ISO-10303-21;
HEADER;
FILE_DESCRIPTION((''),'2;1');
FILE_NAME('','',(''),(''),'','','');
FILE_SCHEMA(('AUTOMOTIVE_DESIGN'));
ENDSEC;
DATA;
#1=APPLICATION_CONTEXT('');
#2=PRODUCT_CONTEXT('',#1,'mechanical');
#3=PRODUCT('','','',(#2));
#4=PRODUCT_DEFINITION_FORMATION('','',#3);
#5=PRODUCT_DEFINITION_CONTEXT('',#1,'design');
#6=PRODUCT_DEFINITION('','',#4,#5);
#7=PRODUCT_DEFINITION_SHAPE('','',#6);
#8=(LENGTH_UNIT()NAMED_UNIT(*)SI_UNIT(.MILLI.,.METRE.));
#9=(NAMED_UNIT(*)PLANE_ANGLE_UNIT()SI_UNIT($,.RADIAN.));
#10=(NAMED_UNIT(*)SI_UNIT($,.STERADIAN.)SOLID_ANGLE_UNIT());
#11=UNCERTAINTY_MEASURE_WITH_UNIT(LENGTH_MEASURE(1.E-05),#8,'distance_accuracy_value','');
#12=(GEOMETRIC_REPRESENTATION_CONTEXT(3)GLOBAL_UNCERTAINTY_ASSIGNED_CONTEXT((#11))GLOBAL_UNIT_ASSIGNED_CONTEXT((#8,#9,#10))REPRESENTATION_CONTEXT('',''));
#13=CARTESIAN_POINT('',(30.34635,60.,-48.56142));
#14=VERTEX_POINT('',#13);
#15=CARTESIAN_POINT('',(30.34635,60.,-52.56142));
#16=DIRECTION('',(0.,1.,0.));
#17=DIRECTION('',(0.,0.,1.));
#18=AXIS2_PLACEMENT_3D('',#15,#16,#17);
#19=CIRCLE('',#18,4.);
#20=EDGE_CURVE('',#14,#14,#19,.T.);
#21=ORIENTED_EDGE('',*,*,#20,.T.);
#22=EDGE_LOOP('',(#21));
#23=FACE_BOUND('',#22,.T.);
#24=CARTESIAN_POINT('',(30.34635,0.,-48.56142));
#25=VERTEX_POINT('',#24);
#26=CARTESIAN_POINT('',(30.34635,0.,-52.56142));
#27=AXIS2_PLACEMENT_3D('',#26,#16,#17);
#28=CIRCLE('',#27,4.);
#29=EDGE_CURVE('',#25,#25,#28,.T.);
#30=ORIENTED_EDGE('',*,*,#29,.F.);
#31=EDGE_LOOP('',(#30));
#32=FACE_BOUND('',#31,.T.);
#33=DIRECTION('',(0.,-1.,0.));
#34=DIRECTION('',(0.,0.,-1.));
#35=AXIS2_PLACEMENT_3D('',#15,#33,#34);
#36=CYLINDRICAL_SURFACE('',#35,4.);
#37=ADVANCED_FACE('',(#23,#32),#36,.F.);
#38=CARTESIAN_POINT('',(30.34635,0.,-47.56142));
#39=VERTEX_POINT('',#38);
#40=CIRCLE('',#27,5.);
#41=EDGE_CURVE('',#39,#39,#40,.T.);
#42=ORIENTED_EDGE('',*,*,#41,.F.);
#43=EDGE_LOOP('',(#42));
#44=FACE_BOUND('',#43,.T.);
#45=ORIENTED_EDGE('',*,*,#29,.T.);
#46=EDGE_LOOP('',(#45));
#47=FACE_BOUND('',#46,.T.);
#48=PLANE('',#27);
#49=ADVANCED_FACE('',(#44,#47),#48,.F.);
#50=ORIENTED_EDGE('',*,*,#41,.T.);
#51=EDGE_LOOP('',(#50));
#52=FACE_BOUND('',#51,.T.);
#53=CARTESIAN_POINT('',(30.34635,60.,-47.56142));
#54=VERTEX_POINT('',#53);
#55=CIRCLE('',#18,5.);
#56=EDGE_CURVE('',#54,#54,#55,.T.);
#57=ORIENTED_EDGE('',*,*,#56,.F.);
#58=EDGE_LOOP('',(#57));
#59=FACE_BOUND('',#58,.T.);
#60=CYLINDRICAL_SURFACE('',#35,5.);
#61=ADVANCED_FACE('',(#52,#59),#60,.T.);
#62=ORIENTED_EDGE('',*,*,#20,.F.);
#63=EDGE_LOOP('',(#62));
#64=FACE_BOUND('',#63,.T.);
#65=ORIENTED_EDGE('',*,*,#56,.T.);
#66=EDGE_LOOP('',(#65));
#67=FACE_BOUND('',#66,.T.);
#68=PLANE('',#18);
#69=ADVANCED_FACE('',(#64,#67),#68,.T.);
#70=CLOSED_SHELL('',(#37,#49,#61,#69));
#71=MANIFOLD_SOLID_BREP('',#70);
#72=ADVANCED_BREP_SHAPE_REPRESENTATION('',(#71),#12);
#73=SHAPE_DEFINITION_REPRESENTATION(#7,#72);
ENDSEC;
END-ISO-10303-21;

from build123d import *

# Parameters (mm, degrees)
SKETCH2_R           = 5
SKETCH2_R_2         = 4
BOSS_EXTRUDE1_DEPTH = 60


with BuildPart() as part:
    # Sketch2 → Boss-Extrude1 (new body)
    with BuildSketch(Plane(origin=(0, 0, 0), x_dir=(1, 0, 0), z_dir=(0, 1, 0))):
        with Locations((30.34635, 52.561420024)):
            Circle(SKETCH2_R)
        with Locations((30.34635, 52.561420024)):
            Circle(SKETCH2_R_2, mode=Mode.SUBTRACT)
    extrude(amount=BOSS_EXTRUDE1_DEPTH)


solid = part.part
